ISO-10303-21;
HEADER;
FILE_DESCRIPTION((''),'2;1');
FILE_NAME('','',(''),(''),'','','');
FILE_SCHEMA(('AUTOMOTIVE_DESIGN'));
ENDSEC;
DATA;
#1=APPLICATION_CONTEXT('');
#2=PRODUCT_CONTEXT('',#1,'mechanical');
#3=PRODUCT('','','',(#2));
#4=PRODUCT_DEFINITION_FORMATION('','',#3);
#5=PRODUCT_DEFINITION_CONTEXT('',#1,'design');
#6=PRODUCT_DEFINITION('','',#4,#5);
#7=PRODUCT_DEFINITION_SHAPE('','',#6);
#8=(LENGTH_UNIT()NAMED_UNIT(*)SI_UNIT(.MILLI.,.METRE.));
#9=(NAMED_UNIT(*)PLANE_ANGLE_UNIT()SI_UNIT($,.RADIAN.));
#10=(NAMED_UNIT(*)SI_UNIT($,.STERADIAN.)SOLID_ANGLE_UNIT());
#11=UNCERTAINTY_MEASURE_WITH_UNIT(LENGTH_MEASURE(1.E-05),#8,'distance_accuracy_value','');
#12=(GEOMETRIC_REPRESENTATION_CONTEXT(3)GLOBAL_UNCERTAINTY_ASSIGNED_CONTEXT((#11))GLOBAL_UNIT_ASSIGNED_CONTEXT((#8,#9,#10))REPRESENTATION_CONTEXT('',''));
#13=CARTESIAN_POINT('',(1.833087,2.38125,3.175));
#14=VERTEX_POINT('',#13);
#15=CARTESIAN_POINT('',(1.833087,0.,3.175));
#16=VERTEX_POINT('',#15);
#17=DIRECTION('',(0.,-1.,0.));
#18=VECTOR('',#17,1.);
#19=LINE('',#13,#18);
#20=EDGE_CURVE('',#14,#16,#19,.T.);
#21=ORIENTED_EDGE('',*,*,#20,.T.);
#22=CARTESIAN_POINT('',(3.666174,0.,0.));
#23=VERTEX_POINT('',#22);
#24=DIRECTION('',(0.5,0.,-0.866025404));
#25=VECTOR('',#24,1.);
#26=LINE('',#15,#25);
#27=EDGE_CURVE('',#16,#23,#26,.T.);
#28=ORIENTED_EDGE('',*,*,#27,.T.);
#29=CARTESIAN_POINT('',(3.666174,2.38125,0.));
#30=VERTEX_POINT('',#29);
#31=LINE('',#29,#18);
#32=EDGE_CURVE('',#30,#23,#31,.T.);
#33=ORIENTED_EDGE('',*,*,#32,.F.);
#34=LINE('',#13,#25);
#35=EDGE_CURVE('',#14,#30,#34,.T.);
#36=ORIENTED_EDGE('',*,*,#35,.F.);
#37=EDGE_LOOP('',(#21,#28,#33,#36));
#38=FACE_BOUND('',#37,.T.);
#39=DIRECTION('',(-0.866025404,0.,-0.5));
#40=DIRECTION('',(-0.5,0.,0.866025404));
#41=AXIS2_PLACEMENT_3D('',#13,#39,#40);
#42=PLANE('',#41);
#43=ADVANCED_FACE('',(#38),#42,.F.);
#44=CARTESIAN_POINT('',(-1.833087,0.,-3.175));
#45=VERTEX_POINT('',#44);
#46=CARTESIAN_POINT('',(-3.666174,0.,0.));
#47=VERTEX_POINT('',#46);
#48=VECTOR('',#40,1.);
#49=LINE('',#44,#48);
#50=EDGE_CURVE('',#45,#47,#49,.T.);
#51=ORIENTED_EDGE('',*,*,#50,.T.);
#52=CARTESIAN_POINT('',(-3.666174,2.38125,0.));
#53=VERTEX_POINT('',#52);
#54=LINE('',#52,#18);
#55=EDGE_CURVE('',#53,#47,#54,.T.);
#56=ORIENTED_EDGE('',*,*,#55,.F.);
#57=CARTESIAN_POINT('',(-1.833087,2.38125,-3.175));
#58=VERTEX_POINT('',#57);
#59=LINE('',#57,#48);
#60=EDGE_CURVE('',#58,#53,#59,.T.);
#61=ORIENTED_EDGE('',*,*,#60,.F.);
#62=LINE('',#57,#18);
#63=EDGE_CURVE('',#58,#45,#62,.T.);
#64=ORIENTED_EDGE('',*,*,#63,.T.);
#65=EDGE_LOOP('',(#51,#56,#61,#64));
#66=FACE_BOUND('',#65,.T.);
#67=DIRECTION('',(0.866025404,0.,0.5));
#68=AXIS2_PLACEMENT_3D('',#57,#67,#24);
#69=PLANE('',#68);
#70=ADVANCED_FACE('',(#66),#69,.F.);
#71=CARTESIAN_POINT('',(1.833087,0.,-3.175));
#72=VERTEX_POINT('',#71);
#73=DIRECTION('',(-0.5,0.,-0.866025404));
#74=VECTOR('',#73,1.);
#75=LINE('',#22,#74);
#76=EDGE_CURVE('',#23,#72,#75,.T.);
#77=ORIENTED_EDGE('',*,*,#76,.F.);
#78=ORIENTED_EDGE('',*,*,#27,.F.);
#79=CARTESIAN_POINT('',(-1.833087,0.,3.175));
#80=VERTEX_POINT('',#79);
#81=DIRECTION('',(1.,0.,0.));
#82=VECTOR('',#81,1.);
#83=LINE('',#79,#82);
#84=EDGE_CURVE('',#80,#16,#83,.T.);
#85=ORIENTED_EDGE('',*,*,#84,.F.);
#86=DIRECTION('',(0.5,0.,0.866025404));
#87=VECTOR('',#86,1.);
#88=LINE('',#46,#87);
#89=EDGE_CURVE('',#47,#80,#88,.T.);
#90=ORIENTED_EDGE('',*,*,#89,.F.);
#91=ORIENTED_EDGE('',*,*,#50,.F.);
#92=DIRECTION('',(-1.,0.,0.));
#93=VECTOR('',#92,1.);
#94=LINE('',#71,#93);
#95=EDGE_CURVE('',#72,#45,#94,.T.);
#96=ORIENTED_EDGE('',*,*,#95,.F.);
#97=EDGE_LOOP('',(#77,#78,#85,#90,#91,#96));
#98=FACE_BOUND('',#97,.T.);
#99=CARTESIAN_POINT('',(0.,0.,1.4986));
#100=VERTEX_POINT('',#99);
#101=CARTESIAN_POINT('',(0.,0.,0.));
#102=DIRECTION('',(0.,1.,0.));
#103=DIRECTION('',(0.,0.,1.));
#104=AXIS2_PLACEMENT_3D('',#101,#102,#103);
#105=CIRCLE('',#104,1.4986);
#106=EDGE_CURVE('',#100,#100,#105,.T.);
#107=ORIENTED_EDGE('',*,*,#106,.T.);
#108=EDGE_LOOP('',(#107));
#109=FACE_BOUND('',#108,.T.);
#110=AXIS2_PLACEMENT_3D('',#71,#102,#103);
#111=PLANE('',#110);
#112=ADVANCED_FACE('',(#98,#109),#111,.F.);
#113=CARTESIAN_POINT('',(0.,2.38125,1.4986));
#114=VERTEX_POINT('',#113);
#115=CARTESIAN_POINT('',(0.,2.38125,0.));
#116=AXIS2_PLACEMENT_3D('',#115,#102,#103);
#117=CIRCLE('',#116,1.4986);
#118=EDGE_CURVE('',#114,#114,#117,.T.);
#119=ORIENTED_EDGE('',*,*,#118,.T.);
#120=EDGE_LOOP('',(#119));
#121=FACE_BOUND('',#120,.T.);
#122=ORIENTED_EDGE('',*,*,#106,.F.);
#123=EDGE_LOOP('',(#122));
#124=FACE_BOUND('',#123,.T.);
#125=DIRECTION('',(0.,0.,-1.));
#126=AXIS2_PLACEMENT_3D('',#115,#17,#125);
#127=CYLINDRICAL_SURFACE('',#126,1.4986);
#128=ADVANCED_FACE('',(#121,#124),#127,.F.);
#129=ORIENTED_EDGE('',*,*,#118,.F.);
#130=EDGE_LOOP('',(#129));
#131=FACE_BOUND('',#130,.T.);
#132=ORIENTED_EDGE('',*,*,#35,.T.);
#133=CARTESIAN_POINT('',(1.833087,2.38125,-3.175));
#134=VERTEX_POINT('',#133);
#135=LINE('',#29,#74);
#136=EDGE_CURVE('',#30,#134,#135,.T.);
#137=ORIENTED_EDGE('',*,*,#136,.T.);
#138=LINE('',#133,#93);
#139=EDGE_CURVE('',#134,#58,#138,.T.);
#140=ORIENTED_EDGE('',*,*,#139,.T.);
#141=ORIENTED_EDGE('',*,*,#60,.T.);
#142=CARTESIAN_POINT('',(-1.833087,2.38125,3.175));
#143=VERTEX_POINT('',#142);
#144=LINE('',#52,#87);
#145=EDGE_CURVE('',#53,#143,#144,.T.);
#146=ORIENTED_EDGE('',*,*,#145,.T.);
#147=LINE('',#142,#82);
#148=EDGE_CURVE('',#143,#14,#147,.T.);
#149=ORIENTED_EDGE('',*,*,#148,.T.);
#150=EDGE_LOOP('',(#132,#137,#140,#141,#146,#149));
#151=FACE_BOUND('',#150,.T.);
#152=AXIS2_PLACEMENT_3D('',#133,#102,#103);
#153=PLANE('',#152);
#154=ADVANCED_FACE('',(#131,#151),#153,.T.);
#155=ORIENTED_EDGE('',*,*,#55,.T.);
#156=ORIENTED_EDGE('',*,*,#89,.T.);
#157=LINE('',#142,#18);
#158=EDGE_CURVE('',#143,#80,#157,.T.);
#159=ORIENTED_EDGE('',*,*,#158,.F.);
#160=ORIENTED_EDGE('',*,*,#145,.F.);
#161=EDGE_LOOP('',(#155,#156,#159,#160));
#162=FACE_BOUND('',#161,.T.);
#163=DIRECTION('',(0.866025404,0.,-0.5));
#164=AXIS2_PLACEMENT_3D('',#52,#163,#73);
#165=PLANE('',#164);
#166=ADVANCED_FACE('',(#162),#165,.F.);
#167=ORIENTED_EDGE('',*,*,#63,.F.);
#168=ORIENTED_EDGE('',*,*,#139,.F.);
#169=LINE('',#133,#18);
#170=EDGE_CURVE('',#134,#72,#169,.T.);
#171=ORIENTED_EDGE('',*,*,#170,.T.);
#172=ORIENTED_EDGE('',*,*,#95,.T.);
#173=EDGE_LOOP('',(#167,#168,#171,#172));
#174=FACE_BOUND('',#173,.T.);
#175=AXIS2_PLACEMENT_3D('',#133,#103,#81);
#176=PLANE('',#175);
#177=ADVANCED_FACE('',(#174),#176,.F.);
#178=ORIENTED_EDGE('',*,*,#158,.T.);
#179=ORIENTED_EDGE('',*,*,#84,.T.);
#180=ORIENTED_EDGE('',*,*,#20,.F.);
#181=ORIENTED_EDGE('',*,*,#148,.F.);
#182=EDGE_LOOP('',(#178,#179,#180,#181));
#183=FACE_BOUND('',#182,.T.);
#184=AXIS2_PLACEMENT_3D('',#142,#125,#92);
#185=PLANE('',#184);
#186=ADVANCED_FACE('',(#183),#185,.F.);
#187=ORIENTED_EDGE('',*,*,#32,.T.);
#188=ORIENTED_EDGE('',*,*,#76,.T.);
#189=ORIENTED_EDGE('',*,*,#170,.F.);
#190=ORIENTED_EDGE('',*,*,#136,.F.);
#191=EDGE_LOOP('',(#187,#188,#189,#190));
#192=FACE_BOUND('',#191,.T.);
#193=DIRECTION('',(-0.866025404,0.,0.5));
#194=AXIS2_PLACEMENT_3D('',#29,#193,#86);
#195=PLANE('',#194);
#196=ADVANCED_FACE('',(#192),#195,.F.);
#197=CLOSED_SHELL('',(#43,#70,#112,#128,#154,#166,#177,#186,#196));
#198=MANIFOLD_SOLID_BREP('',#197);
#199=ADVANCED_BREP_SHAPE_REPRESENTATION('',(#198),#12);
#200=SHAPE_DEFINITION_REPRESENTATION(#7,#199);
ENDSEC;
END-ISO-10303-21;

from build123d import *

# Parameters (mm, degrees)
SKETCH1_R           = 1.4986
BOSS_EXTRUDE1_DEPTH = 2.38125


with BuildPart() as part:
    # Sketch1 → Boss-Extrude1 (new body)
    with BuildSketch(Plane(origin=(0, 0, 0), x_dir=(1, 0, 0), z_dir=(0, 1, 0))):
        Polygon((1.833087105, 3.175), (-1.833087105, 3.175), (-3.666174209, 0), (-1.833087105, -3.175), (1.833087105, -3.175), (3.666174209, 0), align=None)
        Circle(SKETCH1_R, mode=Mode.SUBTRACT)
    extrude(amount=BOSS_EXTRUDE1_DEPTH)


solid = part.part
